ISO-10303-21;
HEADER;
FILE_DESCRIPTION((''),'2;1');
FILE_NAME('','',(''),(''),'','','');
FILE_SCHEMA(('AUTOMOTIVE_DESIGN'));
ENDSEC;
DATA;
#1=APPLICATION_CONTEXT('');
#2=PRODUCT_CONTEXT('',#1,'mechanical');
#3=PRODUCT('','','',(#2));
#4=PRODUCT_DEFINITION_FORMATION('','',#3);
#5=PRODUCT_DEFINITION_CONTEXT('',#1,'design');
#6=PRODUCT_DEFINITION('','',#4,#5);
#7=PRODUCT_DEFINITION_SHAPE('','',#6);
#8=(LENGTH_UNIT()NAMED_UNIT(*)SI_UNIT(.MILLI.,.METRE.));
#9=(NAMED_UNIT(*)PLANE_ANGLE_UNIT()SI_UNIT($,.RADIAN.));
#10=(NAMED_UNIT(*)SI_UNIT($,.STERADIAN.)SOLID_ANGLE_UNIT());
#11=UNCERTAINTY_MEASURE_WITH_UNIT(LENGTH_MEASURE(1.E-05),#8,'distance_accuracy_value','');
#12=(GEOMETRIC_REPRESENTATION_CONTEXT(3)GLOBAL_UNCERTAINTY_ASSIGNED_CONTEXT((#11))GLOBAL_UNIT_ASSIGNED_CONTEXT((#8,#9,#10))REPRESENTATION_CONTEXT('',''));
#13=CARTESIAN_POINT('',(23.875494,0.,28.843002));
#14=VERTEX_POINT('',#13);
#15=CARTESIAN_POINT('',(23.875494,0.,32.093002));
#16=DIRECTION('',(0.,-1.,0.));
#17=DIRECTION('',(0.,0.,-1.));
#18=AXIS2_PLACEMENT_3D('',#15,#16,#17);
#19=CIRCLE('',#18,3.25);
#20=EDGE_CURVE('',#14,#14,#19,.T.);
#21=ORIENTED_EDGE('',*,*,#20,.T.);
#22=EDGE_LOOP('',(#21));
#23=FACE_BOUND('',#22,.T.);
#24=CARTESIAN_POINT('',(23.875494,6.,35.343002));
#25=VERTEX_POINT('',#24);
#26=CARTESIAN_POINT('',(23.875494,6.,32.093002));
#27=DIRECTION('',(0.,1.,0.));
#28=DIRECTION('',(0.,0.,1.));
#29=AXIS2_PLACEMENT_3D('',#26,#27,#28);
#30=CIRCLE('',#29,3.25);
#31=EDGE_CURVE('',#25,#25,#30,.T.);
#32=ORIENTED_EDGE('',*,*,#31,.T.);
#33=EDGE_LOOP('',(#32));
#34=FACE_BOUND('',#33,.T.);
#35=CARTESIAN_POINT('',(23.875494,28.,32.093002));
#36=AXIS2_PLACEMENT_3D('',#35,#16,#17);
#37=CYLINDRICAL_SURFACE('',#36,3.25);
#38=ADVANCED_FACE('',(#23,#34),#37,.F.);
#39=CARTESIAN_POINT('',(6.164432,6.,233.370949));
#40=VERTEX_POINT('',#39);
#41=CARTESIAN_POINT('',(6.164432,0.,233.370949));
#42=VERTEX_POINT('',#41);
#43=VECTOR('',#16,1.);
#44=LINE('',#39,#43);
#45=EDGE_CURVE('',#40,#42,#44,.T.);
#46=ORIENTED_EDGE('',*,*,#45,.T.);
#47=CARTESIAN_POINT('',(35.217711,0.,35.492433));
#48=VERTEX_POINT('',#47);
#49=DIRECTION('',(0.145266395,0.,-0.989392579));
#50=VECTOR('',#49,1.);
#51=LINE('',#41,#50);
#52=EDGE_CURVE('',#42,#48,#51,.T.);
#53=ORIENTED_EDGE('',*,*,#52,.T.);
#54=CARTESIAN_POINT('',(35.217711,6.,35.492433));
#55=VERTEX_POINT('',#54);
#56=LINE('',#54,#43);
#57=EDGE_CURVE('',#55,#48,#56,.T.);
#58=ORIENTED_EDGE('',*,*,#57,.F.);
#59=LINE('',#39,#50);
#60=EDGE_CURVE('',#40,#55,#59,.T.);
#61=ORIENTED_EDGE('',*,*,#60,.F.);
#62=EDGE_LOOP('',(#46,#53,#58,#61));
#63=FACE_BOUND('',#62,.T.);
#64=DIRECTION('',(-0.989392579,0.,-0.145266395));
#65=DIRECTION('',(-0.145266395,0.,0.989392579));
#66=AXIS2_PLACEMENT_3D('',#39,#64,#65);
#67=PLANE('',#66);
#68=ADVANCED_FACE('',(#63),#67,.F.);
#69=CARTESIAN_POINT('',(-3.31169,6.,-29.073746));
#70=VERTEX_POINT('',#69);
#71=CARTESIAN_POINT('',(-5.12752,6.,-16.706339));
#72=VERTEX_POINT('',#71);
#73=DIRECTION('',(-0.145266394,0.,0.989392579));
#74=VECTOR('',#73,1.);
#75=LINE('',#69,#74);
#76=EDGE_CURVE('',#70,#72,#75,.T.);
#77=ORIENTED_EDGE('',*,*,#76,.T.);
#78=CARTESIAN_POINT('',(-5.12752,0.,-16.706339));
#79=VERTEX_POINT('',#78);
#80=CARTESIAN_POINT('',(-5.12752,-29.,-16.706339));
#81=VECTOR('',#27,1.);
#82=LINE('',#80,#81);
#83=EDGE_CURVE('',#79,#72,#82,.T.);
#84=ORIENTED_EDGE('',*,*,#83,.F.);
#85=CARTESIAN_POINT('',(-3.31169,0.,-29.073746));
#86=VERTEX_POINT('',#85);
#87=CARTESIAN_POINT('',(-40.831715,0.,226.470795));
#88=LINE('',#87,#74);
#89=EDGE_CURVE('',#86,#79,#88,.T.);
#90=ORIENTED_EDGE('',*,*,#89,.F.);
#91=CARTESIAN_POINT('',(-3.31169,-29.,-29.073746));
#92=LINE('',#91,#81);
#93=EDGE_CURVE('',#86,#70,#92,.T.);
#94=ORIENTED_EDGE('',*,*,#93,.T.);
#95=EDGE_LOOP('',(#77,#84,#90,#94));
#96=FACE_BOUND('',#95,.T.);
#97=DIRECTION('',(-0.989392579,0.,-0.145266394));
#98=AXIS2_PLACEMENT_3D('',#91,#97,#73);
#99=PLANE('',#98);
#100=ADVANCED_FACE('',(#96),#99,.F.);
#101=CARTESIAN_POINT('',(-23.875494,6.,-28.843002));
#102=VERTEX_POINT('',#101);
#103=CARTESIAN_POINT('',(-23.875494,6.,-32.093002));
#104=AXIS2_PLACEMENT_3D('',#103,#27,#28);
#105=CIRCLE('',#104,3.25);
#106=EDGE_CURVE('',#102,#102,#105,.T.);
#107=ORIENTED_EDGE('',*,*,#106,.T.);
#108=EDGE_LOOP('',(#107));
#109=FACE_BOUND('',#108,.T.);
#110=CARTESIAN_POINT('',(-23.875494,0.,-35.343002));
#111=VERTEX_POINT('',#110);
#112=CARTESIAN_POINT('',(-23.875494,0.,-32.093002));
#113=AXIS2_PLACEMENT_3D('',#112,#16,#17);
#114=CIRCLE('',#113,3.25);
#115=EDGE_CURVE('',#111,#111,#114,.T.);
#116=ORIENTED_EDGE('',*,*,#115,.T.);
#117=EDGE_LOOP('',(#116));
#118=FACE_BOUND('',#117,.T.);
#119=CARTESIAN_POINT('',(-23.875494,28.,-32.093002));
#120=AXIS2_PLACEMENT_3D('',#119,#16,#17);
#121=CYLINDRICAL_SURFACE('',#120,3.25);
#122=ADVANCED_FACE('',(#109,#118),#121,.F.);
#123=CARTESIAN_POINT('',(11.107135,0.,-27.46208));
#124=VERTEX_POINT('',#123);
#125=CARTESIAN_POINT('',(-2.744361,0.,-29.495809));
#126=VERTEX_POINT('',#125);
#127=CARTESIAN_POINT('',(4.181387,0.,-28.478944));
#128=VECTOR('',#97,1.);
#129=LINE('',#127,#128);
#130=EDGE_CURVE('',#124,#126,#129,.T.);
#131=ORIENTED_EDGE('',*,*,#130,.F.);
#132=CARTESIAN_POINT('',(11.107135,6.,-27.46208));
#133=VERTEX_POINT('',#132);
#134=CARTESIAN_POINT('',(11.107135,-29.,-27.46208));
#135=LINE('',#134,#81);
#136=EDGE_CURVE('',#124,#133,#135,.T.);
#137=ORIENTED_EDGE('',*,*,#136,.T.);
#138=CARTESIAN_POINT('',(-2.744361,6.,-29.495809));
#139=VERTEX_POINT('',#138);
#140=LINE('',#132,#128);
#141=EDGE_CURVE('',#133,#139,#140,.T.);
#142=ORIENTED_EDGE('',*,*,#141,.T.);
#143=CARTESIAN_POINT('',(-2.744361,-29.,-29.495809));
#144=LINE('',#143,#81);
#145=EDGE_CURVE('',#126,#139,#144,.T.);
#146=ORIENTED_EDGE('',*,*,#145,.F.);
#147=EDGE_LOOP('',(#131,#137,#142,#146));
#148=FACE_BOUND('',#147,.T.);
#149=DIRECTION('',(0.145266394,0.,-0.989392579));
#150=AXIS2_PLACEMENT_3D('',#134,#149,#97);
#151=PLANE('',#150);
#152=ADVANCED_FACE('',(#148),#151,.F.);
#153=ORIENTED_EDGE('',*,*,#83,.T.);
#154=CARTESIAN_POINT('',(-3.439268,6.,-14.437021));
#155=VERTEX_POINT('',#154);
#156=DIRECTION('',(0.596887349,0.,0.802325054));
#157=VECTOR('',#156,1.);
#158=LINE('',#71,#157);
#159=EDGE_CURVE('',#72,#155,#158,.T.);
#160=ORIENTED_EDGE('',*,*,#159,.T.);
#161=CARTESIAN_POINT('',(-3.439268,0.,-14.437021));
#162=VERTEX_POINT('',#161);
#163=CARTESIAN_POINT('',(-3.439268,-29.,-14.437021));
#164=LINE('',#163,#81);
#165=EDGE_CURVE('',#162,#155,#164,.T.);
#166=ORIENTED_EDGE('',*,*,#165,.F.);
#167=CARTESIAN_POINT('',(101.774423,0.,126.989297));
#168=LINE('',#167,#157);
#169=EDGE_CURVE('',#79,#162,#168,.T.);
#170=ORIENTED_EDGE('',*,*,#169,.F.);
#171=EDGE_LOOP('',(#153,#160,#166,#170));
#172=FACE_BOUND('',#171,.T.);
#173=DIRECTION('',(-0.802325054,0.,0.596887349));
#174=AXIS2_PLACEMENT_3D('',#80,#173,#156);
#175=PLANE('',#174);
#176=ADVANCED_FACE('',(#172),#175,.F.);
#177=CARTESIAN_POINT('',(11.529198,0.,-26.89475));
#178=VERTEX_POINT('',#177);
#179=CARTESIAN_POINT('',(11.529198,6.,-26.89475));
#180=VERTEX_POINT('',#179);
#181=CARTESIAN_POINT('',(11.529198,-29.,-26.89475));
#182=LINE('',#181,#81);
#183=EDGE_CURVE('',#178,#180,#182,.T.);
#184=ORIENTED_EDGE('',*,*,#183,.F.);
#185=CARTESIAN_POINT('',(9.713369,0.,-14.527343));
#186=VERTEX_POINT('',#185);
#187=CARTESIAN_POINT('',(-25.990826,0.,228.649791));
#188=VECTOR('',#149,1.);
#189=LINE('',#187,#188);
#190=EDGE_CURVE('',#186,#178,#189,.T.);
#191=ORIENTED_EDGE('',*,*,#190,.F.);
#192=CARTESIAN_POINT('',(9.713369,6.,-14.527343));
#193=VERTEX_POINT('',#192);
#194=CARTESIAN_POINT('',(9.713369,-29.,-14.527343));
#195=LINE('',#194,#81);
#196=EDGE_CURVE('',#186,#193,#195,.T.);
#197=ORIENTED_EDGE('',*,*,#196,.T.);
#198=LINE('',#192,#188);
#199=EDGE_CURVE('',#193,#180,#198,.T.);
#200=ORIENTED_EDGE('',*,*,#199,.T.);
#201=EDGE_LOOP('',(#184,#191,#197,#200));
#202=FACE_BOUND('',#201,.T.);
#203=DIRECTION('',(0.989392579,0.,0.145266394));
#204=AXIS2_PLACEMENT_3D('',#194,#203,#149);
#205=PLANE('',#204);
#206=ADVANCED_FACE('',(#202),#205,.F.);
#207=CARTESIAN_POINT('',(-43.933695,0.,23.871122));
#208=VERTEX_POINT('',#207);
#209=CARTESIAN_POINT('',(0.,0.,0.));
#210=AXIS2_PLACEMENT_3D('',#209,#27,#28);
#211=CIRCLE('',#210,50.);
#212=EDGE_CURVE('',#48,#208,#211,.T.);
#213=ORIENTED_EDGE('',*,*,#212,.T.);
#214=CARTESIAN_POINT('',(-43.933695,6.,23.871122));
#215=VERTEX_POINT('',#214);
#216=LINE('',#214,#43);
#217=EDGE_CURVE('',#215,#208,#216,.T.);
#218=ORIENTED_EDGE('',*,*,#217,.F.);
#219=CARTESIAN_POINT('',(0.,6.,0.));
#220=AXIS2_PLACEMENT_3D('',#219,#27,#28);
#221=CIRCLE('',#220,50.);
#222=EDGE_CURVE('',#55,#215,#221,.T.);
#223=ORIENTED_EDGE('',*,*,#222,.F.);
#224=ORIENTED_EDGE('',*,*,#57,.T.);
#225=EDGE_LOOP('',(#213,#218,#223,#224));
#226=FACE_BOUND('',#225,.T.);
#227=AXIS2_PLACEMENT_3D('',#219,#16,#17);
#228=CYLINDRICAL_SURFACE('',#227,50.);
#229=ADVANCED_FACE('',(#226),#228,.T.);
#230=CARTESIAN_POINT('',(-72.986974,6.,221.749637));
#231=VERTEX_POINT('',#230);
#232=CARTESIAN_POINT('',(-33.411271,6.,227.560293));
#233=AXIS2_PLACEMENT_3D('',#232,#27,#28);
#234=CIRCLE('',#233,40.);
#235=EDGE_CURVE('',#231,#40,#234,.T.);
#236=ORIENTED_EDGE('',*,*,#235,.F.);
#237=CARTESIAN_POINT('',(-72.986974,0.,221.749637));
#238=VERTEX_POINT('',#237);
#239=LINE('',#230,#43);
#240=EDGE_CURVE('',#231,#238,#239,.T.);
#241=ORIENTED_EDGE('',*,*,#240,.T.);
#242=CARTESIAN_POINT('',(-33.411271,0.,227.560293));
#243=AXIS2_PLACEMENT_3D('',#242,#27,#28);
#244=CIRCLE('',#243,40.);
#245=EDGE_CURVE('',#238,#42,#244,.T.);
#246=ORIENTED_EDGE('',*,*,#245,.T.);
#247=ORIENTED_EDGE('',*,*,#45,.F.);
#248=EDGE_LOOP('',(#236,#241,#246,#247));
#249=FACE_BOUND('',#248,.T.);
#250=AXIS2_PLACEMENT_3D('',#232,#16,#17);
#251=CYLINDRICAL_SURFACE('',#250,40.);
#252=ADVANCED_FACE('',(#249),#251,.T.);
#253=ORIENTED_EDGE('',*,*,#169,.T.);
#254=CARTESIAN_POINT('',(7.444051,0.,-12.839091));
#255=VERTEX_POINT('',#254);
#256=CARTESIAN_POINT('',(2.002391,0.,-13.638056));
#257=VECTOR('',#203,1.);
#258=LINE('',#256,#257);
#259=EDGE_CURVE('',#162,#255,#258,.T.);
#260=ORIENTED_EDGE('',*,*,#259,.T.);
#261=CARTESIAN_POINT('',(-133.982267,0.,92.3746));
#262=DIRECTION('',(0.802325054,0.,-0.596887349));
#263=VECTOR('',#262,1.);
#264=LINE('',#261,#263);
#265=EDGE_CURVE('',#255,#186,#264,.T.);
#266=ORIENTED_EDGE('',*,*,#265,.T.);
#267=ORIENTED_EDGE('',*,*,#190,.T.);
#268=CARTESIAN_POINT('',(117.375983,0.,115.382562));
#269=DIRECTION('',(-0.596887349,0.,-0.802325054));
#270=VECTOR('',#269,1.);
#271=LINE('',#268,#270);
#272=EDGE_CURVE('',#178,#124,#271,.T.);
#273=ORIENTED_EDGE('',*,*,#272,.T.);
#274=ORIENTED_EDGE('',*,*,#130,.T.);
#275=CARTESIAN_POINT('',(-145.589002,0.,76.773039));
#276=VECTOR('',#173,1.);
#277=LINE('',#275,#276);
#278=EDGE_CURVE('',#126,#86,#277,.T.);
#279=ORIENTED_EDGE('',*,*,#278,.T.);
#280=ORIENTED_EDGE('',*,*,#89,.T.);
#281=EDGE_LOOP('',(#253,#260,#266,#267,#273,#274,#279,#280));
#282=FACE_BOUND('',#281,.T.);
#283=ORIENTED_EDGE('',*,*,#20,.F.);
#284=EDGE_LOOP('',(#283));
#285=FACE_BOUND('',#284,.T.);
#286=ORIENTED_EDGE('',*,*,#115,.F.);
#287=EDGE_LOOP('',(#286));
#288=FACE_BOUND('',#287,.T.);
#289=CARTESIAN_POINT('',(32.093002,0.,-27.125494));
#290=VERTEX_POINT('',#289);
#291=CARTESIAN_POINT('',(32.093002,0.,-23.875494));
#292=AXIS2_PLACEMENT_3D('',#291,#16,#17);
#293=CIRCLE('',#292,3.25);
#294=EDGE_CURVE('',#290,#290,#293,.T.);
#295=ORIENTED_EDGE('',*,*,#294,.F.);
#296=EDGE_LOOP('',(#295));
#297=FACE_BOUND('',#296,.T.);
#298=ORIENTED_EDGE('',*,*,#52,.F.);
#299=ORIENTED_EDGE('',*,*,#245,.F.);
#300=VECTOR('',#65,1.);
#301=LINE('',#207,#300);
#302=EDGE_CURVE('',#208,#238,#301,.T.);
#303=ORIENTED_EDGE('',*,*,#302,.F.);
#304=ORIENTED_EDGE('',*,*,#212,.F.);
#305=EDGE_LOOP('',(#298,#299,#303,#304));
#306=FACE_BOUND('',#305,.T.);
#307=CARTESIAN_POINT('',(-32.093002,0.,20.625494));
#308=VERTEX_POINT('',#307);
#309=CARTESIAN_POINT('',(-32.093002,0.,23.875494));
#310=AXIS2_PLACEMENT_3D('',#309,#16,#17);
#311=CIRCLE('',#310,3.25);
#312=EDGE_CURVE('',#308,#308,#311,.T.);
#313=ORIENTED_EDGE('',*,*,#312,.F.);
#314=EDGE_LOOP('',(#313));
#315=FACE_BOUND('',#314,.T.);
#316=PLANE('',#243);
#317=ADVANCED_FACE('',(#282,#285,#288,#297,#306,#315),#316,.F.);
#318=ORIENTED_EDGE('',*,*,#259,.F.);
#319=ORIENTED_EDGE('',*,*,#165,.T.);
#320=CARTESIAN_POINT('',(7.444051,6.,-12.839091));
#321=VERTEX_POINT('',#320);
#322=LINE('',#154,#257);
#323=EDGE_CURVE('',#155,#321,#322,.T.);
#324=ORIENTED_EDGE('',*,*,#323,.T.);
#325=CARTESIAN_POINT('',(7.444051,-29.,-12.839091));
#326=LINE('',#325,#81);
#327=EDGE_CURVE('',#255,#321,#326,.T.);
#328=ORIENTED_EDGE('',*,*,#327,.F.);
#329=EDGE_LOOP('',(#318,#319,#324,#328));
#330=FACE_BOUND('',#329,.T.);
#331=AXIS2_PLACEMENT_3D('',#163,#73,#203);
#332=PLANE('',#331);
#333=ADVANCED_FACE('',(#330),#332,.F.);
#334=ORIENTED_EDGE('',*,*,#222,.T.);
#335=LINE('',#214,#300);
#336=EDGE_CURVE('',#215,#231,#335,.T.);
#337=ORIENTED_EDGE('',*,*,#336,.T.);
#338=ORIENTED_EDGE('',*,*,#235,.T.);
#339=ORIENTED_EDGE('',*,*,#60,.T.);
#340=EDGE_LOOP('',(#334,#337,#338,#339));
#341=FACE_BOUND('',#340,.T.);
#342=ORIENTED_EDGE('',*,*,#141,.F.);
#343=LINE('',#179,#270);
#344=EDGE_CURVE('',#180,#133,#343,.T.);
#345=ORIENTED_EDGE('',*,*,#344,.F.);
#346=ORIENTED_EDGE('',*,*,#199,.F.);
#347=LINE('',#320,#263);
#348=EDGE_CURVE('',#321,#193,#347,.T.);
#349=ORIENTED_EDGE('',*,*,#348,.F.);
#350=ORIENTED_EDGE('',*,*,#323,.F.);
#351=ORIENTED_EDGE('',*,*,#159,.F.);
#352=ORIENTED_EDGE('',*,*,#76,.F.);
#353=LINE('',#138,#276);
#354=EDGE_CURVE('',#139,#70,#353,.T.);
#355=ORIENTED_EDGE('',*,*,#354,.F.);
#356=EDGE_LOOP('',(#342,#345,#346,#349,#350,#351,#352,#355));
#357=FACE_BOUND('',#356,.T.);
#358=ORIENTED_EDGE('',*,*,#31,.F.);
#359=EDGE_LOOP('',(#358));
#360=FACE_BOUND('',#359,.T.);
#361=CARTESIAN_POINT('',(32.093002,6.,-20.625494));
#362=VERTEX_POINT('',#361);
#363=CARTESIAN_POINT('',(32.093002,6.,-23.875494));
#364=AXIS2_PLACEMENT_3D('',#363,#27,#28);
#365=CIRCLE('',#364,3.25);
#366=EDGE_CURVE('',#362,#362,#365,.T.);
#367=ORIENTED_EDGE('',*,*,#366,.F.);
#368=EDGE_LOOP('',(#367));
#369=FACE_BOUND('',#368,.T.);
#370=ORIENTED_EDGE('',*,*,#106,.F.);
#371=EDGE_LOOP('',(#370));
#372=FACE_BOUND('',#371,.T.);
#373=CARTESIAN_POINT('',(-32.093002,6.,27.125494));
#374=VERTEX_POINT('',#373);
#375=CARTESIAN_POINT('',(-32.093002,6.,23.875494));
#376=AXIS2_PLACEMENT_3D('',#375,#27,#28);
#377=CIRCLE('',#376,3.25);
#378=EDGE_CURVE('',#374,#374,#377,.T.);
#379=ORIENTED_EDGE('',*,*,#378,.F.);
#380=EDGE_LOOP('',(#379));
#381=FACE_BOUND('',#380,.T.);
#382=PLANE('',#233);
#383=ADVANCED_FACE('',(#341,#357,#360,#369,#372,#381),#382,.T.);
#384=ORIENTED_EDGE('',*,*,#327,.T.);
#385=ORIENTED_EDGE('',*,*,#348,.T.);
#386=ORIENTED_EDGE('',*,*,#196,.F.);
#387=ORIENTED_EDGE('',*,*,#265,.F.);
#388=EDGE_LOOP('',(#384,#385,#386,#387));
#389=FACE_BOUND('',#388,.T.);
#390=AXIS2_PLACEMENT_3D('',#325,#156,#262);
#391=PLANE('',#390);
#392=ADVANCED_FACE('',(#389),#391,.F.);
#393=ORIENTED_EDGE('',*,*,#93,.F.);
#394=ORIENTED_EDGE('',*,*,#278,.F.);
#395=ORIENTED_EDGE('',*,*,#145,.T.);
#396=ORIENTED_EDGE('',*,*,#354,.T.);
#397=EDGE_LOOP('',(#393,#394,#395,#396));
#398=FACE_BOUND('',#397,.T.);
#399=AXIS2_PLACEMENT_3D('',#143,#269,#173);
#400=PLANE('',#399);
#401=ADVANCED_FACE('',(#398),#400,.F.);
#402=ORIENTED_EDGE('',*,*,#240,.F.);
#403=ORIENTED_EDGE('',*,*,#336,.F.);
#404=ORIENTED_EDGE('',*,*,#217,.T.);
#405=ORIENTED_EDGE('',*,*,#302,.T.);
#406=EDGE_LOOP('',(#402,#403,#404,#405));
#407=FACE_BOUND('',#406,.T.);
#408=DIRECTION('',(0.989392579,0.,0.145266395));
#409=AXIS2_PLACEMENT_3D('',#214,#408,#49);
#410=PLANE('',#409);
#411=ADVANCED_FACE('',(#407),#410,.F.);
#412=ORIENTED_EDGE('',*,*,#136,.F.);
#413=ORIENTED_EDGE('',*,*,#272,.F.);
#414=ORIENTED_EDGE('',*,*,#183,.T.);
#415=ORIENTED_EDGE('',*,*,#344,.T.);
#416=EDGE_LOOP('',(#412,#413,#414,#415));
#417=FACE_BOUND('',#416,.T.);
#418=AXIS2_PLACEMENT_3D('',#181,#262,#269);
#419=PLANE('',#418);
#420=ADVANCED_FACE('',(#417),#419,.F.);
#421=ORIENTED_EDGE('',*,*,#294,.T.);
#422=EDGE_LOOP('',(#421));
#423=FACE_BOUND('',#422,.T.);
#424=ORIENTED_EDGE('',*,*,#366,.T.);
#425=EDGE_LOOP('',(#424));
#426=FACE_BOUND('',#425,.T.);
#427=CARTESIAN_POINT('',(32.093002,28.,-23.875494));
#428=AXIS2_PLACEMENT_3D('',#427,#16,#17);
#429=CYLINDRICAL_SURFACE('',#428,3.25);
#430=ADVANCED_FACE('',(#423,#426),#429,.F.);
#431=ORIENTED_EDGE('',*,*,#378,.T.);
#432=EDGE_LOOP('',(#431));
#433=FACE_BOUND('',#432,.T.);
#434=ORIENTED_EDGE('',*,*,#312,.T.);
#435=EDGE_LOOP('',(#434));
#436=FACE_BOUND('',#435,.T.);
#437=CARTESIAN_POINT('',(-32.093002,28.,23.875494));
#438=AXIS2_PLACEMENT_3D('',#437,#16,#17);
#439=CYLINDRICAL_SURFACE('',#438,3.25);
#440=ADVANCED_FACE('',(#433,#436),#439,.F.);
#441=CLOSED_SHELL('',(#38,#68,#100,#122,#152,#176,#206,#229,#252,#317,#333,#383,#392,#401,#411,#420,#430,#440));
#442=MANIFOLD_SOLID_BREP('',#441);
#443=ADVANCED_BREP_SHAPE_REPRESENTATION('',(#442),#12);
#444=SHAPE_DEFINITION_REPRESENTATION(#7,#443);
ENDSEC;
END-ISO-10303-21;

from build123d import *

# Parameters (mm, degrees)
EXTRUDE_1_DEPTH      = 6
SKETCH_6_R           = 3.25
CUT_EXTRUDE_3_DEPTH  = 28
CUT_EXTRUDE_11_DEPTH = 35


with BuildPart() as part:
    # 草图1 → 凸台-拉伸1 (new body)
    with BuildSketch(Plane(origin=(0, 0, 0), x_dir=(1, 0, 0), z_dir=(0, 1, 0))):
        with BuildLine():
            Line((-43.933694981, -23.871121576), (-72.986973894, -221.749637298))
            ThreePointArc((-72.986973894, -221.749637298), (-39.221926532, -267.135996225), (6.164432395, -233.370948863))
            Line((6.164432395, -233.370948863), (35.217711308, -35.492433141))
            ThreePointArc((35.217711308, -35.492433141), (7.263319728, 49.469628931), (-43.933694981, -23.871121576))
        make_face()
    extrude(amount=EXTRUDE_1_DEPTH)

    # 草图6 → 切除-拉伸3 (cut)
    with BuildSketch(Plane.XZ):
        with Locations(Location((-32.093002168, 23.87549396, 0), (0, 0, 270))):
            Circle(SKETCH_6_R)
        with Locations(Location((23.87549396, 32.093002168, 0), (0, 0, 270))):
            Circle(SKETCH_6_R)
        with Locations(Location((32.093002168, -23.87549396, 0), (0, 0, 270))):
            Circle(SKETCH_6_R)
        with Locations(Location((-23.87549396, -32.093002168, 0), (0, 0, 270))):
            Circle(SKETCH_6_R)
    extrude(amount=-CUT_EXTRUDE_3_DEPTH, mode=Mode.SUBTRACT)

    # 草图11 → 切除-拉伸11 (cut)
    with BuildSketch(Plane(origin=(0, 6, 0), x_dir=(1, 0, 0), z_dir=(0, 1, 0))):
        Polygon((9.713368511, 14.527342871), (11.529198442, 26.894750104), (11.10713535, 27.462079591), (-2.744360751, 29.495809113), (-3.311690238, 29.073746021), (-5.127520168, 16.706338788), (-3.4392678, 14.437020842), (7.444050565, 12.839090503), align=None)
    extrude(amount=-CUT_EXTRUDE_11_DEPTH, mode=Mode.SUBTRACT)


solid = part.part
